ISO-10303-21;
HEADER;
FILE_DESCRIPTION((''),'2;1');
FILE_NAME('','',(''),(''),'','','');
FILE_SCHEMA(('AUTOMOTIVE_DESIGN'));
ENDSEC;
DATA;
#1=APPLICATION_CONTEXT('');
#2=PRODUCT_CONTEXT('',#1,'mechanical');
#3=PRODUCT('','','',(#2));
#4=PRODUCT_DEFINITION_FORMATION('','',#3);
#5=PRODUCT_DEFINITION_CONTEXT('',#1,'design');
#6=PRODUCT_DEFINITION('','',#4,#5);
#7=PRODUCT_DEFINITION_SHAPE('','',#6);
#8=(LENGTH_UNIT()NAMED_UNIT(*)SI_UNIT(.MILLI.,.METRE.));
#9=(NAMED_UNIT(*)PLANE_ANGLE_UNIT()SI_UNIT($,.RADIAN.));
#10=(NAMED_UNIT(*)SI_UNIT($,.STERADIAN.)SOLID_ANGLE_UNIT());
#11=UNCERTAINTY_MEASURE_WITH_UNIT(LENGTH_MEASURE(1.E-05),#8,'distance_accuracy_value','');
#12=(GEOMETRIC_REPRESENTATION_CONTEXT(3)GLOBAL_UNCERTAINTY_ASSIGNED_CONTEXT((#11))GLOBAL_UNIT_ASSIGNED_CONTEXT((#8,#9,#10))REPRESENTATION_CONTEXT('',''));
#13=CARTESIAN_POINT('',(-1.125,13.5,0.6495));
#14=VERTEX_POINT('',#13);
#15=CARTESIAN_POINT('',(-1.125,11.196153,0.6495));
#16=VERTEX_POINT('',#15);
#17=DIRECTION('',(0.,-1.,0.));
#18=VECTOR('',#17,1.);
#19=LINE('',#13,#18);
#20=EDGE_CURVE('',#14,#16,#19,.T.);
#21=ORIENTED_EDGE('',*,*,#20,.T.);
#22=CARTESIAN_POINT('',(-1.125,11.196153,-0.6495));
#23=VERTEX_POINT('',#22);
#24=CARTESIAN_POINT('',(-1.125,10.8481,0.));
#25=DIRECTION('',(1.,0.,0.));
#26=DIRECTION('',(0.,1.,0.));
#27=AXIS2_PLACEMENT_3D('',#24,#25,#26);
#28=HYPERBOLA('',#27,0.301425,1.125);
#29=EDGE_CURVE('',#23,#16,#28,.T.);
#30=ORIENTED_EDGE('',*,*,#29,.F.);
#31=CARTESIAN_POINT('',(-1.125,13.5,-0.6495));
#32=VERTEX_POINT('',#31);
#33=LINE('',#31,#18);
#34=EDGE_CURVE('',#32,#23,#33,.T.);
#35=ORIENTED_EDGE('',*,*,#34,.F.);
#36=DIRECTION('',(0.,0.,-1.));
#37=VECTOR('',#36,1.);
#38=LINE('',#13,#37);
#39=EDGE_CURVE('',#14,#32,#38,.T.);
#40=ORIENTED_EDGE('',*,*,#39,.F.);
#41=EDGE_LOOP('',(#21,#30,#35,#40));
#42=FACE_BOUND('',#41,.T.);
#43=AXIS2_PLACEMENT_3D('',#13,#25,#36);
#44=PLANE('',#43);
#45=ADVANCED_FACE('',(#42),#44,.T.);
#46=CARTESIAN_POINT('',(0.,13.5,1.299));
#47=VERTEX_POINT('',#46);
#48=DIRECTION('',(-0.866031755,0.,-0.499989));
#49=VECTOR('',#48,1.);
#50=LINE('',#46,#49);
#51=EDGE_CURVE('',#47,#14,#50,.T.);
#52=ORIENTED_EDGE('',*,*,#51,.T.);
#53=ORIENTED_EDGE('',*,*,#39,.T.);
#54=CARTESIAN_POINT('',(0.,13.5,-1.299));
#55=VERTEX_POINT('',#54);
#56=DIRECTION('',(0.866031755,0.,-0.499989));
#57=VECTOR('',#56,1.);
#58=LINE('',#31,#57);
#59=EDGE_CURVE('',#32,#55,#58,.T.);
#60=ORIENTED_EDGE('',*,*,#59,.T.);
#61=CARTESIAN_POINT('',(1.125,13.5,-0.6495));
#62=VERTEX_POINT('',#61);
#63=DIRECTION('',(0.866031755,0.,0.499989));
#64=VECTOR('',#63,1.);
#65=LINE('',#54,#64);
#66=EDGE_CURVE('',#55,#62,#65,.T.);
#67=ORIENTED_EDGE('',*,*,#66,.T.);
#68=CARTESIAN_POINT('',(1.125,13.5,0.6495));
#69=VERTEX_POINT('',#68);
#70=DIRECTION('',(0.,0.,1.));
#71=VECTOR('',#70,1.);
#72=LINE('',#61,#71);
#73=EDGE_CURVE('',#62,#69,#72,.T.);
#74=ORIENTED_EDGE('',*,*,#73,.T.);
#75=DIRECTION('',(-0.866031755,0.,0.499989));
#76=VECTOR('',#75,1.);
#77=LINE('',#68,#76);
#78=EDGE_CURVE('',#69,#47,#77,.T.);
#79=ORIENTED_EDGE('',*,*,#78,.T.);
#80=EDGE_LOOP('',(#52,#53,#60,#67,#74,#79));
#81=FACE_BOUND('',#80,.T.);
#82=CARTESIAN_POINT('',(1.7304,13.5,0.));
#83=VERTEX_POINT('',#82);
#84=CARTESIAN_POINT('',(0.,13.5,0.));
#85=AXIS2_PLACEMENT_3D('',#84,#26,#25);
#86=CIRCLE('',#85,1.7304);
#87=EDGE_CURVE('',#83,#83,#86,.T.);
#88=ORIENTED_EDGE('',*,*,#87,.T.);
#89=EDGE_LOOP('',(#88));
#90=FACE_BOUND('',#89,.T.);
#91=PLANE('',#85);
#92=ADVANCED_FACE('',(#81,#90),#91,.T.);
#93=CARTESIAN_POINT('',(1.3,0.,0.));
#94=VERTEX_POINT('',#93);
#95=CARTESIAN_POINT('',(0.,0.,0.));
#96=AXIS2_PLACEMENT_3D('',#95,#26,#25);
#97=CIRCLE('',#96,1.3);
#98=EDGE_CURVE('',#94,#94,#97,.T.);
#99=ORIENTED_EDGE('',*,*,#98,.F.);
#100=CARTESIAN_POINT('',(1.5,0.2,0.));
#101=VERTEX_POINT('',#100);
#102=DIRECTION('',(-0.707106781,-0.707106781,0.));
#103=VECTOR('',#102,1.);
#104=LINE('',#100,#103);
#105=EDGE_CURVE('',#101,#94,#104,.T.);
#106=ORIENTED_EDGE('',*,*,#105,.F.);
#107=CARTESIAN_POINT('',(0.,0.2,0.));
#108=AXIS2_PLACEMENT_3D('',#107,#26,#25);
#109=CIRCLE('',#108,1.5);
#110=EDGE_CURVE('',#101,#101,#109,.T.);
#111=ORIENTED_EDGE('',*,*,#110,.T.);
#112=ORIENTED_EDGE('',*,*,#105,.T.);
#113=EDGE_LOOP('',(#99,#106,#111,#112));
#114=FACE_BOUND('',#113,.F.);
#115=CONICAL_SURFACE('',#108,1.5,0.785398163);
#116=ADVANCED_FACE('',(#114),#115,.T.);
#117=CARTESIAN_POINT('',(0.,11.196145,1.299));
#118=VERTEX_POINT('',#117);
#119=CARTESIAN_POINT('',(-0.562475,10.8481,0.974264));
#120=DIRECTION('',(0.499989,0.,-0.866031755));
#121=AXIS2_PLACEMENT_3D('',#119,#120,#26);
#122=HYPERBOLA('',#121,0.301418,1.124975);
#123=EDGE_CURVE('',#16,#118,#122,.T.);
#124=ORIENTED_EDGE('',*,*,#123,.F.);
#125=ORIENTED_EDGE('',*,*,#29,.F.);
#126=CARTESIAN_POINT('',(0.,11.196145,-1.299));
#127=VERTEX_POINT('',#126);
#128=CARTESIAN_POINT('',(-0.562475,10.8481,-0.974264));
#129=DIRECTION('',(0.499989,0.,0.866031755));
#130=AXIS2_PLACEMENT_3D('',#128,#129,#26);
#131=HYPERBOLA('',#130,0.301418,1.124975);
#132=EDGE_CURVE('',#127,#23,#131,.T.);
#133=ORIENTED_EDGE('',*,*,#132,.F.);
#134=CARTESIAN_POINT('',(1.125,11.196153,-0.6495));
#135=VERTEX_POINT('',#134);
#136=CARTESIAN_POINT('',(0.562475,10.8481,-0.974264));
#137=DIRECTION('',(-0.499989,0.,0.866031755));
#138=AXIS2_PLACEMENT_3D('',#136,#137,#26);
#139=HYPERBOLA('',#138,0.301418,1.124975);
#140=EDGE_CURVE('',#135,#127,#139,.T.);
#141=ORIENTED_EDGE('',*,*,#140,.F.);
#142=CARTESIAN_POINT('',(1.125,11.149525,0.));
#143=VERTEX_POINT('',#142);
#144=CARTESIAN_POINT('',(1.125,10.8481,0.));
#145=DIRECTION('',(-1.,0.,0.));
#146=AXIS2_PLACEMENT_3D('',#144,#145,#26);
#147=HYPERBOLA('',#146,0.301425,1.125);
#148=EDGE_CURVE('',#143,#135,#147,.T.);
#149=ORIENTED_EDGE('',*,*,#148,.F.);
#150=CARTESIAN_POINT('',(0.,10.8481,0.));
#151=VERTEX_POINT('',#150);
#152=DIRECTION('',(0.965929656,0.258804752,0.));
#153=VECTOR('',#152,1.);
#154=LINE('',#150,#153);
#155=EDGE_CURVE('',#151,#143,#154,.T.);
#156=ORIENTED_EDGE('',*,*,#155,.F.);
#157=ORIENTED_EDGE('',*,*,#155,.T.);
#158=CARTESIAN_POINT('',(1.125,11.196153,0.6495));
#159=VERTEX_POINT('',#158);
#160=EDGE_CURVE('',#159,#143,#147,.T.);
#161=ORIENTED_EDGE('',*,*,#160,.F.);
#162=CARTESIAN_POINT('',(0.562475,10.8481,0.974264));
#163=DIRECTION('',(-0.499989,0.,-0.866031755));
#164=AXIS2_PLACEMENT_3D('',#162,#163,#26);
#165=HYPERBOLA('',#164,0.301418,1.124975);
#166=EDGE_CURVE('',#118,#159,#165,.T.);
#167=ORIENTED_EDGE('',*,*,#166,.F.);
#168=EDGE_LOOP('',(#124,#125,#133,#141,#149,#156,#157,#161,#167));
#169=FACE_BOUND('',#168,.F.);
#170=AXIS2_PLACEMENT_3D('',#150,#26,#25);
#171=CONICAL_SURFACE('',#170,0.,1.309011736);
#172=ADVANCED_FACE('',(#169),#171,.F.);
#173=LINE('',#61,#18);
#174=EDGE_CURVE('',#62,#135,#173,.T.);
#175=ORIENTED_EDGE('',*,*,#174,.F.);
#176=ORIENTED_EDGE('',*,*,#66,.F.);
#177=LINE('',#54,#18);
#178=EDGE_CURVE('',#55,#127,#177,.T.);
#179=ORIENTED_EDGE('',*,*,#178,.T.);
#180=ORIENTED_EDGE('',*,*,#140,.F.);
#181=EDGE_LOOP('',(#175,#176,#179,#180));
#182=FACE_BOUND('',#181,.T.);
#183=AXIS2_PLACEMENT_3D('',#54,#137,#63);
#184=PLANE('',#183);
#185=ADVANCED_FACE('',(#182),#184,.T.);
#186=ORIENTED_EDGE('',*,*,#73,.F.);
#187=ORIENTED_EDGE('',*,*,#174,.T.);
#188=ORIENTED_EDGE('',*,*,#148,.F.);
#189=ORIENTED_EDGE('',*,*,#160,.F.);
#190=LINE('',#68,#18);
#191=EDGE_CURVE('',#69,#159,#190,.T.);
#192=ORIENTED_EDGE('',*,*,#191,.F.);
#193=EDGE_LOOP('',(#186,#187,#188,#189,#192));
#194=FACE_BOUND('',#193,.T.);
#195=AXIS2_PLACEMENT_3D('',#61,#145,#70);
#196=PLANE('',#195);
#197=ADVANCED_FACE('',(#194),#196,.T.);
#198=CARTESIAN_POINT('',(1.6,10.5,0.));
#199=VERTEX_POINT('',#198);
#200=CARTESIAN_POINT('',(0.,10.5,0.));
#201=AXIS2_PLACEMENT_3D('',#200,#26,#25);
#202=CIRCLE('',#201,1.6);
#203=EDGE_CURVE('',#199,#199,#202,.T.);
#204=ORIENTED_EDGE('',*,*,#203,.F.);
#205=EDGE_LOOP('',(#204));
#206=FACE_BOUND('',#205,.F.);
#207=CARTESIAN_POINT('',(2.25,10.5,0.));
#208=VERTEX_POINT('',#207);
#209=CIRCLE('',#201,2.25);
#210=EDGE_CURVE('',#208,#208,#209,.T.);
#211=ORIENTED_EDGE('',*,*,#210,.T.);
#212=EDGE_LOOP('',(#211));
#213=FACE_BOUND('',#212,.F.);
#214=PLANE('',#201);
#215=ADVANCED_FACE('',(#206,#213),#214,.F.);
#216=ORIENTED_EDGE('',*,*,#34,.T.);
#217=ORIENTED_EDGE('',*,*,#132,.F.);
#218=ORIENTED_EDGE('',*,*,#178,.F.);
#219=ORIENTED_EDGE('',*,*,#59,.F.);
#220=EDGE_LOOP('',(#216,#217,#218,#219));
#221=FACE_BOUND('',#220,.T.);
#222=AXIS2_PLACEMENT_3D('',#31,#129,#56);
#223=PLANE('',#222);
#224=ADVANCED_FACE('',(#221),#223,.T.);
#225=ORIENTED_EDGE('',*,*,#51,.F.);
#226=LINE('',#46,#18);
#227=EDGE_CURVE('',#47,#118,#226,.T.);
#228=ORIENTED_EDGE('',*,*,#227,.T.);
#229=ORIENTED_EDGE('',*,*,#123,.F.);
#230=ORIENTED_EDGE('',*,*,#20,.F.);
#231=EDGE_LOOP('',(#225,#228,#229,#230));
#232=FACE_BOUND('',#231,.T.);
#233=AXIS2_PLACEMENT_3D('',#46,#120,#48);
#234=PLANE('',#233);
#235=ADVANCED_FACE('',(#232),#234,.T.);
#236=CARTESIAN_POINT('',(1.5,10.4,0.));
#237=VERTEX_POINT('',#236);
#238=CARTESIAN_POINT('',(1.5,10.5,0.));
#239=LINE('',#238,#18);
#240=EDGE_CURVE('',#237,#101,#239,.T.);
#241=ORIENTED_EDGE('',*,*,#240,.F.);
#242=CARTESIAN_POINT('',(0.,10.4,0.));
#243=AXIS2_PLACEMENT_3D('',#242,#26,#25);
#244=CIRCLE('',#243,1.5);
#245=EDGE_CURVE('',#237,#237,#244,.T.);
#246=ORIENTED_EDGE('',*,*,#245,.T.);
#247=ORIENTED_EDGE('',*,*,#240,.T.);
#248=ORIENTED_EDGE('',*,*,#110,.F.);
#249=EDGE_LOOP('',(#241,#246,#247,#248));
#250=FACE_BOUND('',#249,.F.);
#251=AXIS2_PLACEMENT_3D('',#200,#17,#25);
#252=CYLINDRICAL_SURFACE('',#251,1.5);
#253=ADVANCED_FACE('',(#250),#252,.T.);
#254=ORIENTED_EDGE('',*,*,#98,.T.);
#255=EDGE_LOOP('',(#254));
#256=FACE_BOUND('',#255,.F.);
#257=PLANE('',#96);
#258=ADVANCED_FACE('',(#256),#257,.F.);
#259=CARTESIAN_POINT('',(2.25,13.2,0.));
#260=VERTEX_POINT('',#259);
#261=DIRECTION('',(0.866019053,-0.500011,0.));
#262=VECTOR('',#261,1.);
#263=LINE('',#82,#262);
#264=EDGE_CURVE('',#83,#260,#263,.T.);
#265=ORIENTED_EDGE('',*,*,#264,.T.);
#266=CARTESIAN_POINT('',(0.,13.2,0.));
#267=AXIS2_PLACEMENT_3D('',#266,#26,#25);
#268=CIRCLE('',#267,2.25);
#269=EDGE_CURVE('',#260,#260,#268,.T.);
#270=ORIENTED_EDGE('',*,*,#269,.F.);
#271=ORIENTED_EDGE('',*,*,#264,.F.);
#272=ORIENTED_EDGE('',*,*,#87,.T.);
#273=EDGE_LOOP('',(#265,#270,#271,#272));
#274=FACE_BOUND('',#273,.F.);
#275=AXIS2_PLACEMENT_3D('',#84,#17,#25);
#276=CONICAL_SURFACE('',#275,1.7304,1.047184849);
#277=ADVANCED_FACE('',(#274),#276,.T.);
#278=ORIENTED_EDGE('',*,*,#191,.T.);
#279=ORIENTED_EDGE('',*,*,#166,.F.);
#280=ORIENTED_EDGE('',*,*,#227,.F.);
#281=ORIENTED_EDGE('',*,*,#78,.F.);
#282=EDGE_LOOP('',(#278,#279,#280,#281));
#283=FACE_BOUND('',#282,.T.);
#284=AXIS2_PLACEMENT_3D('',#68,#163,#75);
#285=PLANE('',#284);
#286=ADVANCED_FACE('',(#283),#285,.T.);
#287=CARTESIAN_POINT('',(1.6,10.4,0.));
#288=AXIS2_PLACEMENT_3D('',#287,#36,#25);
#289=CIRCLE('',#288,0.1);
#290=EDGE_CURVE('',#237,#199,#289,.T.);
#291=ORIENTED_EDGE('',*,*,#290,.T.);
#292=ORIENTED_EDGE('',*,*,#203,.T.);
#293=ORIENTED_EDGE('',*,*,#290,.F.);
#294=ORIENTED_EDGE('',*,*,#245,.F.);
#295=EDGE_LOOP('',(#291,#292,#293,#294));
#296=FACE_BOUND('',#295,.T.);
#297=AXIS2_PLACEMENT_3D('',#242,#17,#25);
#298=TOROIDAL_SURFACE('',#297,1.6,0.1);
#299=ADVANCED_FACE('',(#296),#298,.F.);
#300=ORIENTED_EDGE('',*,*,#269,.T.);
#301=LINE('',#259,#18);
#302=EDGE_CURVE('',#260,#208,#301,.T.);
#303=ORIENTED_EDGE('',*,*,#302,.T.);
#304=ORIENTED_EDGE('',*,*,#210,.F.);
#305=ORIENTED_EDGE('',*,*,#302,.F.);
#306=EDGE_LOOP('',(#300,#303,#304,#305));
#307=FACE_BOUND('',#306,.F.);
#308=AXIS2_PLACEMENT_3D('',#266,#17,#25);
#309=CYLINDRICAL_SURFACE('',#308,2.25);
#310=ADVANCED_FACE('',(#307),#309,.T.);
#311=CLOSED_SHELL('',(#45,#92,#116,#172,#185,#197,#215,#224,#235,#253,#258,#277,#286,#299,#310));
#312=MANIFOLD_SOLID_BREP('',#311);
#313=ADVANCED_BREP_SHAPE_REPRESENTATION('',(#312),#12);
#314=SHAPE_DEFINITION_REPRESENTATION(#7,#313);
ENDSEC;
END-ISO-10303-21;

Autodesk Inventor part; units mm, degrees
ref_plane "YZ Plane" through (0, 0, 0) normal (1, 0, 0) x (0, 1, 0)
ref_plane "XZ Plane" through (0, 0, 0) normal (0, 1, 0) x (-1, 0, 0)
ref_plane "XY Plane" through (0, 0, 0) normal (0, 0, 1) x (1, 0, 0)
sketch "Sketch1" plane through (0, 0, 0) normal (0, 0, 1) x (1, 0, 0)
  line L0 (0, 0) -> (0, 10.8481)
  line L1 (0, 10.8481) -> (1.5, 11.25)
  line L2 (1.5, 11.25) -> (1.5, 13.5)
  line L3 (1.5, 13.5) -> (1.7304, 13.5)
  line L4 (2.25, 13.2) -> (2.25, 10.5)
  line L5 (2.25, 10.5) -> (1.5, 10.5)
  line L6 (1.5, 10.5) -> (1.5, 0)
  line L7 (1.5, 0) -> (0, 0)
  line L8 (1.7304, 13.5) -> (2.25, 13.2)
  dimension "Diameter" = 3
  dimension "d1" = 4.5
  dimension "d2" = 3
  dimension "Length" = 10.5
  dimension "d5" = 3
  dimension "d6" = 2.25
  dimension "d7" = 0.3
  dimension "d8" = 30
  dimension "d9" = 15
revolve "Revolution1" add sketch "Sketch1" angle 360 about axis through (0, 0, 0) along (0, 1, 0)
sketch "Sketch2" plane through (0, 13.5, 0) normal (0, 1, 0) x (1, 0, 0)
  circle A0 centre (0, 0) radius 1.5 projected
  line L0 (0, -1.299) -> (-1.125, -0.6495)
  line L1 (-1.125, -0.6495) -> (-1.125, 0.6495)
  line L2 (-1.125, 0.6495) -> (0, 1.299)
  line L3 (0, 1.299) -> (1.125, 0.6495)
  line L4 (1.125, 0.6495) -> (1.125, -0.6495)
  line L5 (1.125, -0.6495) -> (0, -1.299)
  dimension "d14" = 2.25
extrude "Extrusion1" add sketch "Sketch2" against normal up to next
thread "Thread2" size "M3x0.5" class "6g" standard "ANSI Metric M Profile" full length
chamfer "Chamfer2" distance 0.2 angle 45 1 edges at (-1.5, 0, 0)
fillet "Fillet1" radius 0.1 1 edges at (-1.5, 10.5, 0)
equation "\"d1\" = 1.5 * Diameter"
equation "\"d2\" = Diameter"
equation "\"d5\" = Diameter"
equation "\"d6\" = 0.75 * Diameter"
equation "\"d7\" = 0.1 * Diameter"
equation "\"d14\" = 0.75 * Diameter"
properties part number "Hex Socket Screw"
